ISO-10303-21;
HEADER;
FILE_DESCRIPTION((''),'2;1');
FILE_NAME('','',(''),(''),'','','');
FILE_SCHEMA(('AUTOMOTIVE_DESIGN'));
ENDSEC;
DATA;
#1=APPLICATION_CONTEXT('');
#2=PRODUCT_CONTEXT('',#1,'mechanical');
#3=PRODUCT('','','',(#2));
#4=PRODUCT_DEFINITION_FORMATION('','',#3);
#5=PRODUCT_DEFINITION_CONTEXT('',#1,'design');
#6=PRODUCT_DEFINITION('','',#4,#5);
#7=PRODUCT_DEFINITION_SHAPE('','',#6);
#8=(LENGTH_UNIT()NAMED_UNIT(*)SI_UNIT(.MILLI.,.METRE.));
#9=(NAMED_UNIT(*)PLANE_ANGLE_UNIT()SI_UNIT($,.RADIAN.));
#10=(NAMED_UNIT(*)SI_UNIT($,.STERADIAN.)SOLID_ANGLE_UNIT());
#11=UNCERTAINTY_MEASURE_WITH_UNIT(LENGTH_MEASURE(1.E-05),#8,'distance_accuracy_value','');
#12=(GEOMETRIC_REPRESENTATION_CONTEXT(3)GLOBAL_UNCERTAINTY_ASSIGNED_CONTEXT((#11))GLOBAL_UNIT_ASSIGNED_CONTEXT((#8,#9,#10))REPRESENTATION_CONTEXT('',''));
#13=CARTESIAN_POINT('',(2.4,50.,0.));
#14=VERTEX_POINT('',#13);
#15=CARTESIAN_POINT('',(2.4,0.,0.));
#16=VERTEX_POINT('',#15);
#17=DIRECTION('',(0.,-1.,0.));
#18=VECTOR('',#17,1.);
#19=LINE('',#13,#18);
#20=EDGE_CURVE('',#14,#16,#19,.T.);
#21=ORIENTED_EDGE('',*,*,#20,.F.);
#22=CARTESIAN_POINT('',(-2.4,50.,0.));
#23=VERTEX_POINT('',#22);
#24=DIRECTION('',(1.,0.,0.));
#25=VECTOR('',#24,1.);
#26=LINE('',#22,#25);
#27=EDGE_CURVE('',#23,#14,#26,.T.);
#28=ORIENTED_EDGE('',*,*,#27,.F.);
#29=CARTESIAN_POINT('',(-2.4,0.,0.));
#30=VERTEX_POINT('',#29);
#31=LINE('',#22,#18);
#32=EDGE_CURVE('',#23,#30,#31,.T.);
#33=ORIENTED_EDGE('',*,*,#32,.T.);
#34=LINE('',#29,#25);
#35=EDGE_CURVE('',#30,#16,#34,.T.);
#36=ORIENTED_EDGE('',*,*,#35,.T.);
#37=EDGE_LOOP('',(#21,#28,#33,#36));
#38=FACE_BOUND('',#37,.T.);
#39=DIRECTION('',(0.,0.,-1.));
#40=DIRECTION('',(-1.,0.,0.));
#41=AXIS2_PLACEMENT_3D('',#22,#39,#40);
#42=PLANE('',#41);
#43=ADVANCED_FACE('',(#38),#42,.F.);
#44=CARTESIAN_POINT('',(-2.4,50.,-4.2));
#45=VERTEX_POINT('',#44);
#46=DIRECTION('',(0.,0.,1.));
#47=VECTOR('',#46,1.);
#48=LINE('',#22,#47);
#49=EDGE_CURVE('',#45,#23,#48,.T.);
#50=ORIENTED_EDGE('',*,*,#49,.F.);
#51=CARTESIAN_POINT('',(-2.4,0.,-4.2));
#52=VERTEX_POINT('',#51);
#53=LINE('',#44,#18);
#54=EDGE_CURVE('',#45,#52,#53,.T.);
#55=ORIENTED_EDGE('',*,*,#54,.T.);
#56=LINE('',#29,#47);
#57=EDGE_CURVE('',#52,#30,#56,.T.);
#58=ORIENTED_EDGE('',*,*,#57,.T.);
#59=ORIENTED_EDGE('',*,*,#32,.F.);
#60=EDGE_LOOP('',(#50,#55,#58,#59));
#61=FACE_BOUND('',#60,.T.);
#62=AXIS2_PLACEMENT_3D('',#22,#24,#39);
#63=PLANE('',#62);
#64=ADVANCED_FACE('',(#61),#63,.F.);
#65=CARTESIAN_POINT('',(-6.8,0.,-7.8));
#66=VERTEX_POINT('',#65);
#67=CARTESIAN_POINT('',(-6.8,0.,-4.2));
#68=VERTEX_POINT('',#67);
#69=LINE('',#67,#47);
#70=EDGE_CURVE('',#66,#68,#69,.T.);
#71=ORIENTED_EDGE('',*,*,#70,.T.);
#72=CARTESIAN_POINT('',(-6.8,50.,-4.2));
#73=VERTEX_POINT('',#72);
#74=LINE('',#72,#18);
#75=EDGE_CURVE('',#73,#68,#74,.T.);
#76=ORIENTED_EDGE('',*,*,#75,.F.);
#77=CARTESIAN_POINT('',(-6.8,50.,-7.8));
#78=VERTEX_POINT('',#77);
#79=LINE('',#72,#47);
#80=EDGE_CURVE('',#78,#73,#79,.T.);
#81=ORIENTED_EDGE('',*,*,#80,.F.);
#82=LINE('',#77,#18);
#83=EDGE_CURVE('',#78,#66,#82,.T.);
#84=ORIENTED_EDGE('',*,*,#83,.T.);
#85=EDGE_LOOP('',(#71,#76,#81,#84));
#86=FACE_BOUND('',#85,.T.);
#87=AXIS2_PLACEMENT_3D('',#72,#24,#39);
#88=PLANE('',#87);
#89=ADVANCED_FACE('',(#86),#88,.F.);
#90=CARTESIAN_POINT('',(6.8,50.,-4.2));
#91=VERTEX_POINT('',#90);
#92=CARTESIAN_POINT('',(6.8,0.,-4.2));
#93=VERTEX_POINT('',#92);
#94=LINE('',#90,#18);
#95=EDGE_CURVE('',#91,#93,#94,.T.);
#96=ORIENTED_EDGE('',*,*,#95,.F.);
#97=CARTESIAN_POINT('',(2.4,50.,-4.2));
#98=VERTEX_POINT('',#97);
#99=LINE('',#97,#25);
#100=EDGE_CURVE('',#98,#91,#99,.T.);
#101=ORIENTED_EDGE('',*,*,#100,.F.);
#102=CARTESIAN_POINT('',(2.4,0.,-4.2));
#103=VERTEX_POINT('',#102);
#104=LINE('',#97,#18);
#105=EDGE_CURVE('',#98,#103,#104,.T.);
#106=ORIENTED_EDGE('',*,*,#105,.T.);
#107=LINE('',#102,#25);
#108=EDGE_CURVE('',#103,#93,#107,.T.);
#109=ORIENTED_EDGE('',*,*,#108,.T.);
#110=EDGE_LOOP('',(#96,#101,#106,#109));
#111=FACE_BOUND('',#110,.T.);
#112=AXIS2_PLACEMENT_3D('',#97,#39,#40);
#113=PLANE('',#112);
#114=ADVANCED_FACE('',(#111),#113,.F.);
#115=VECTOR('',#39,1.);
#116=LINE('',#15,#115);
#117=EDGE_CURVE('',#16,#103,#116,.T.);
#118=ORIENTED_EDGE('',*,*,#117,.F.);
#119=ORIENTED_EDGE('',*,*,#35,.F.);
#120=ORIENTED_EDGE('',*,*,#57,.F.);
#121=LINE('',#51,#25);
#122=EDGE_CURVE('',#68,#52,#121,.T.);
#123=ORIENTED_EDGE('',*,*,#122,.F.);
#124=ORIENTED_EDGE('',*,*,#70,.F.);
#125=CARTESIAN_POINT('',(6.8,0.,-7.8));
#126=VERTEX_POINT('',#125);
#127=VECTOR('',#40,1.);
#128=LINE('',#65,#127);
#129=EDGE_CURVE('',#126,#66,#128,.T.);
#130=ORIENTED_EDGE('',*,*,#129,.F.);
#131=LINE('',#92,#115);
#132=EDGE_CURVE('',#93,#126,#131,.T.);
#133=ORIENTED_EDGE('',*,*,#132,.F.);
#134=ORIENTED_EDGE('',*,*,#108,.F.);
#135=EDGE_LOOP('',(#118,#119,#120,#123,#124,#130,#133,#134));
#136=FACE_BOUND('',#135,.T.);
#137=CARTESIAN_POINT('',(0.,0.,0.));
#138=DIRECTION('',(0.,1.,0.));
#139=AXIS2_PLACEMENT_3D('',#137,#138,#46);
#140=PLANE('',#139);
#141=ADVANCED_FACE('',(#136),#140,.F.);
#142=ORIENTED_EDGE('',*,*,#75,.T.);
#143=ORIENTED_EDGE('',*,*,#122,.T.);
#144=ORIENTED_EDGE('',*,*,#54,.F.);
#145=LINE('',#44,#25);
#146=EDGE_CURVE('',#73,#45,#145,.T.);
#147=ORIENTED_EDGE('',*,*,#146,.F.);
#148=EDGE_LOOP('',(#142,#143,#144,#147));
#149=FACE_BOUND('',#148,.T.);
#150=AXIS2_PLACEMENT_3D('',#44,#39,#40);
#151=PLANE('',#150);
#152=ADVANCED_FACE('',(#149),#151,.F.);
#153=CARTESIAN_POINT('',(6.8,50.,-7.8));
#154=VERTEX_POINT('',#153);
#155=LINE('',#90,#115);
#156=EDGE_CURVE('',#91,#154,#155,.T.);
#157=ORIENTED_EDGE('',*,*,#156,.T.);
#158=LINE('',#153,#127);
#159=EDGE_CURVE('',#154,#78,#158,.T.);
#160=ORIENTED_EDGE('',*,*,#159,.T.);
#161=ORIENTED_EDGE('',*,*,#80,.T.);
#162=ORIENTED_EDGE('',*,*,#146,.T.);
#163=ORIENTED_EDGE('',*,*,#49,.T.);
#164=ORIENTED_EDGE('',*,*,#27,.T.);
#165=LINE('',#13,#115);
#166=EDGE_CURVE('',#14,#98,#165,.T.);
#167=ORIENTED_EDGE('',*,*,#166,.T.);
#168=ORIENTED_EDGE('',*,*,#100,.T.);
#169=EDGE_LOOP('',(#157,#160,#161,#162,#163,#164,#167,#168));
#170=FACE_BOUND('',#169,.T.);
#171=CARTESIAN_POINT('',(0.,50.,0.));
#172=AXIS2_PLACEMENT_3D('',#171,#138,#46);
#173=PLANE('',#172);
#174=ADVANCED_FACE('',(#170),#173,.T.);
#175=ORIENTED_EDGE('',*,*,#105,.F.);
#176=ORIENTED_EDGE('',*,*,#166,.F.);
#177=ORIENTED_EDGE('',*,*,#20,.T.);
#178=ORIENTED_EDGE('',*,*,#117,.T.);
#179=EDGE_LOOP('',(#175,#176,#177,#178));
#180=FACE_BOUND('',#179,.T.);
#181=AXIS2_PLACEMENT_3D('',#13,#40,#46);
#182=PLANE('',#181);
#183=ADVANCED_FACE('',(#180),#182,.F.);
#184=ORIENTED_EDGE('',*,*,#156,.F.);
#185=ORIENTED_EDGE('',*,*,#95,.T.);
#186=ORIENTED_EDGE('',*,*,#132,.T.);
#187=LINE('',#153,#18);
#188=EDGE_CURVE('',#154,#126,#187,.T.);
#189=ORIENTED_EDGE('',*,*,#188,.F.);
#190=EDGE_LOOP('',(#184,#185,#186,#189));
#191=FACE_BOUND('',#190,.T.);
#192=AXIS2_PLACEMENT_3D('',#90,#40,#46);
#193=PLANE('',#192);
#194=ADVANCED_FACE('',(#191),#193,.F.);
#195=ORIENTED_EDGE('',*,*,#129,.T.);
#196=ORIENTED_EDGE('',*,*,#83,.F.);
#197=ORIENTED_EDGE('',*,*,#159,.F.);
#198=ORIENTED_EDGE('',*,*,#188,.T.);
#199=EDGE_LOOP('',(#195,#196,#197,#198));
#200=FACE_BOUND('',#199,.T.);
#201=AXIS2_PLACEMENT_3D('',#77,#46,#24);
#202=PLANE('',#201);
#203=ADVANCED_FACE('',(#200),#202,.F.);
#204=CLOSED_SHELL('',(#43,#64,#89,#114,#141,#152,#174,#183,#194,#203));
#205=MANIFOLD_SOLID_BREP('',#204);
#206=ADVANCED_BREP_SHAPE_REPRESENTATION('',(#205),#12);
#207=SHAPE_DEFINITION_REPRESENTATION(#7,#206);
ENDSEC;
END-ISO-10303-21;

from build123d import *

# Parameters (mm, degrees)
SALIENTE_EXTRUIR1_DEPTH = 50


with BuildPart() as part:
    # Croquis1 → Saliente-Extruir1 (new body)
    with BuildSketch(Plane(origin=(0, 0, 0), x_dir=(1, 0, 0), z_dir=(0, 1, 0))):
        Polygon((-2.4, 0), (-2.4, 4.2), (-6.8, 4.2), (-6.8, 7.8), (0, 7.8), (6.8, 7.8), (6.8, 4.2), (2.4, 4.2), (2.4, 0), align=None)
    extrude(amount=SALIENTE_EXTRUIR1_DEPTH)


solid = part.part
